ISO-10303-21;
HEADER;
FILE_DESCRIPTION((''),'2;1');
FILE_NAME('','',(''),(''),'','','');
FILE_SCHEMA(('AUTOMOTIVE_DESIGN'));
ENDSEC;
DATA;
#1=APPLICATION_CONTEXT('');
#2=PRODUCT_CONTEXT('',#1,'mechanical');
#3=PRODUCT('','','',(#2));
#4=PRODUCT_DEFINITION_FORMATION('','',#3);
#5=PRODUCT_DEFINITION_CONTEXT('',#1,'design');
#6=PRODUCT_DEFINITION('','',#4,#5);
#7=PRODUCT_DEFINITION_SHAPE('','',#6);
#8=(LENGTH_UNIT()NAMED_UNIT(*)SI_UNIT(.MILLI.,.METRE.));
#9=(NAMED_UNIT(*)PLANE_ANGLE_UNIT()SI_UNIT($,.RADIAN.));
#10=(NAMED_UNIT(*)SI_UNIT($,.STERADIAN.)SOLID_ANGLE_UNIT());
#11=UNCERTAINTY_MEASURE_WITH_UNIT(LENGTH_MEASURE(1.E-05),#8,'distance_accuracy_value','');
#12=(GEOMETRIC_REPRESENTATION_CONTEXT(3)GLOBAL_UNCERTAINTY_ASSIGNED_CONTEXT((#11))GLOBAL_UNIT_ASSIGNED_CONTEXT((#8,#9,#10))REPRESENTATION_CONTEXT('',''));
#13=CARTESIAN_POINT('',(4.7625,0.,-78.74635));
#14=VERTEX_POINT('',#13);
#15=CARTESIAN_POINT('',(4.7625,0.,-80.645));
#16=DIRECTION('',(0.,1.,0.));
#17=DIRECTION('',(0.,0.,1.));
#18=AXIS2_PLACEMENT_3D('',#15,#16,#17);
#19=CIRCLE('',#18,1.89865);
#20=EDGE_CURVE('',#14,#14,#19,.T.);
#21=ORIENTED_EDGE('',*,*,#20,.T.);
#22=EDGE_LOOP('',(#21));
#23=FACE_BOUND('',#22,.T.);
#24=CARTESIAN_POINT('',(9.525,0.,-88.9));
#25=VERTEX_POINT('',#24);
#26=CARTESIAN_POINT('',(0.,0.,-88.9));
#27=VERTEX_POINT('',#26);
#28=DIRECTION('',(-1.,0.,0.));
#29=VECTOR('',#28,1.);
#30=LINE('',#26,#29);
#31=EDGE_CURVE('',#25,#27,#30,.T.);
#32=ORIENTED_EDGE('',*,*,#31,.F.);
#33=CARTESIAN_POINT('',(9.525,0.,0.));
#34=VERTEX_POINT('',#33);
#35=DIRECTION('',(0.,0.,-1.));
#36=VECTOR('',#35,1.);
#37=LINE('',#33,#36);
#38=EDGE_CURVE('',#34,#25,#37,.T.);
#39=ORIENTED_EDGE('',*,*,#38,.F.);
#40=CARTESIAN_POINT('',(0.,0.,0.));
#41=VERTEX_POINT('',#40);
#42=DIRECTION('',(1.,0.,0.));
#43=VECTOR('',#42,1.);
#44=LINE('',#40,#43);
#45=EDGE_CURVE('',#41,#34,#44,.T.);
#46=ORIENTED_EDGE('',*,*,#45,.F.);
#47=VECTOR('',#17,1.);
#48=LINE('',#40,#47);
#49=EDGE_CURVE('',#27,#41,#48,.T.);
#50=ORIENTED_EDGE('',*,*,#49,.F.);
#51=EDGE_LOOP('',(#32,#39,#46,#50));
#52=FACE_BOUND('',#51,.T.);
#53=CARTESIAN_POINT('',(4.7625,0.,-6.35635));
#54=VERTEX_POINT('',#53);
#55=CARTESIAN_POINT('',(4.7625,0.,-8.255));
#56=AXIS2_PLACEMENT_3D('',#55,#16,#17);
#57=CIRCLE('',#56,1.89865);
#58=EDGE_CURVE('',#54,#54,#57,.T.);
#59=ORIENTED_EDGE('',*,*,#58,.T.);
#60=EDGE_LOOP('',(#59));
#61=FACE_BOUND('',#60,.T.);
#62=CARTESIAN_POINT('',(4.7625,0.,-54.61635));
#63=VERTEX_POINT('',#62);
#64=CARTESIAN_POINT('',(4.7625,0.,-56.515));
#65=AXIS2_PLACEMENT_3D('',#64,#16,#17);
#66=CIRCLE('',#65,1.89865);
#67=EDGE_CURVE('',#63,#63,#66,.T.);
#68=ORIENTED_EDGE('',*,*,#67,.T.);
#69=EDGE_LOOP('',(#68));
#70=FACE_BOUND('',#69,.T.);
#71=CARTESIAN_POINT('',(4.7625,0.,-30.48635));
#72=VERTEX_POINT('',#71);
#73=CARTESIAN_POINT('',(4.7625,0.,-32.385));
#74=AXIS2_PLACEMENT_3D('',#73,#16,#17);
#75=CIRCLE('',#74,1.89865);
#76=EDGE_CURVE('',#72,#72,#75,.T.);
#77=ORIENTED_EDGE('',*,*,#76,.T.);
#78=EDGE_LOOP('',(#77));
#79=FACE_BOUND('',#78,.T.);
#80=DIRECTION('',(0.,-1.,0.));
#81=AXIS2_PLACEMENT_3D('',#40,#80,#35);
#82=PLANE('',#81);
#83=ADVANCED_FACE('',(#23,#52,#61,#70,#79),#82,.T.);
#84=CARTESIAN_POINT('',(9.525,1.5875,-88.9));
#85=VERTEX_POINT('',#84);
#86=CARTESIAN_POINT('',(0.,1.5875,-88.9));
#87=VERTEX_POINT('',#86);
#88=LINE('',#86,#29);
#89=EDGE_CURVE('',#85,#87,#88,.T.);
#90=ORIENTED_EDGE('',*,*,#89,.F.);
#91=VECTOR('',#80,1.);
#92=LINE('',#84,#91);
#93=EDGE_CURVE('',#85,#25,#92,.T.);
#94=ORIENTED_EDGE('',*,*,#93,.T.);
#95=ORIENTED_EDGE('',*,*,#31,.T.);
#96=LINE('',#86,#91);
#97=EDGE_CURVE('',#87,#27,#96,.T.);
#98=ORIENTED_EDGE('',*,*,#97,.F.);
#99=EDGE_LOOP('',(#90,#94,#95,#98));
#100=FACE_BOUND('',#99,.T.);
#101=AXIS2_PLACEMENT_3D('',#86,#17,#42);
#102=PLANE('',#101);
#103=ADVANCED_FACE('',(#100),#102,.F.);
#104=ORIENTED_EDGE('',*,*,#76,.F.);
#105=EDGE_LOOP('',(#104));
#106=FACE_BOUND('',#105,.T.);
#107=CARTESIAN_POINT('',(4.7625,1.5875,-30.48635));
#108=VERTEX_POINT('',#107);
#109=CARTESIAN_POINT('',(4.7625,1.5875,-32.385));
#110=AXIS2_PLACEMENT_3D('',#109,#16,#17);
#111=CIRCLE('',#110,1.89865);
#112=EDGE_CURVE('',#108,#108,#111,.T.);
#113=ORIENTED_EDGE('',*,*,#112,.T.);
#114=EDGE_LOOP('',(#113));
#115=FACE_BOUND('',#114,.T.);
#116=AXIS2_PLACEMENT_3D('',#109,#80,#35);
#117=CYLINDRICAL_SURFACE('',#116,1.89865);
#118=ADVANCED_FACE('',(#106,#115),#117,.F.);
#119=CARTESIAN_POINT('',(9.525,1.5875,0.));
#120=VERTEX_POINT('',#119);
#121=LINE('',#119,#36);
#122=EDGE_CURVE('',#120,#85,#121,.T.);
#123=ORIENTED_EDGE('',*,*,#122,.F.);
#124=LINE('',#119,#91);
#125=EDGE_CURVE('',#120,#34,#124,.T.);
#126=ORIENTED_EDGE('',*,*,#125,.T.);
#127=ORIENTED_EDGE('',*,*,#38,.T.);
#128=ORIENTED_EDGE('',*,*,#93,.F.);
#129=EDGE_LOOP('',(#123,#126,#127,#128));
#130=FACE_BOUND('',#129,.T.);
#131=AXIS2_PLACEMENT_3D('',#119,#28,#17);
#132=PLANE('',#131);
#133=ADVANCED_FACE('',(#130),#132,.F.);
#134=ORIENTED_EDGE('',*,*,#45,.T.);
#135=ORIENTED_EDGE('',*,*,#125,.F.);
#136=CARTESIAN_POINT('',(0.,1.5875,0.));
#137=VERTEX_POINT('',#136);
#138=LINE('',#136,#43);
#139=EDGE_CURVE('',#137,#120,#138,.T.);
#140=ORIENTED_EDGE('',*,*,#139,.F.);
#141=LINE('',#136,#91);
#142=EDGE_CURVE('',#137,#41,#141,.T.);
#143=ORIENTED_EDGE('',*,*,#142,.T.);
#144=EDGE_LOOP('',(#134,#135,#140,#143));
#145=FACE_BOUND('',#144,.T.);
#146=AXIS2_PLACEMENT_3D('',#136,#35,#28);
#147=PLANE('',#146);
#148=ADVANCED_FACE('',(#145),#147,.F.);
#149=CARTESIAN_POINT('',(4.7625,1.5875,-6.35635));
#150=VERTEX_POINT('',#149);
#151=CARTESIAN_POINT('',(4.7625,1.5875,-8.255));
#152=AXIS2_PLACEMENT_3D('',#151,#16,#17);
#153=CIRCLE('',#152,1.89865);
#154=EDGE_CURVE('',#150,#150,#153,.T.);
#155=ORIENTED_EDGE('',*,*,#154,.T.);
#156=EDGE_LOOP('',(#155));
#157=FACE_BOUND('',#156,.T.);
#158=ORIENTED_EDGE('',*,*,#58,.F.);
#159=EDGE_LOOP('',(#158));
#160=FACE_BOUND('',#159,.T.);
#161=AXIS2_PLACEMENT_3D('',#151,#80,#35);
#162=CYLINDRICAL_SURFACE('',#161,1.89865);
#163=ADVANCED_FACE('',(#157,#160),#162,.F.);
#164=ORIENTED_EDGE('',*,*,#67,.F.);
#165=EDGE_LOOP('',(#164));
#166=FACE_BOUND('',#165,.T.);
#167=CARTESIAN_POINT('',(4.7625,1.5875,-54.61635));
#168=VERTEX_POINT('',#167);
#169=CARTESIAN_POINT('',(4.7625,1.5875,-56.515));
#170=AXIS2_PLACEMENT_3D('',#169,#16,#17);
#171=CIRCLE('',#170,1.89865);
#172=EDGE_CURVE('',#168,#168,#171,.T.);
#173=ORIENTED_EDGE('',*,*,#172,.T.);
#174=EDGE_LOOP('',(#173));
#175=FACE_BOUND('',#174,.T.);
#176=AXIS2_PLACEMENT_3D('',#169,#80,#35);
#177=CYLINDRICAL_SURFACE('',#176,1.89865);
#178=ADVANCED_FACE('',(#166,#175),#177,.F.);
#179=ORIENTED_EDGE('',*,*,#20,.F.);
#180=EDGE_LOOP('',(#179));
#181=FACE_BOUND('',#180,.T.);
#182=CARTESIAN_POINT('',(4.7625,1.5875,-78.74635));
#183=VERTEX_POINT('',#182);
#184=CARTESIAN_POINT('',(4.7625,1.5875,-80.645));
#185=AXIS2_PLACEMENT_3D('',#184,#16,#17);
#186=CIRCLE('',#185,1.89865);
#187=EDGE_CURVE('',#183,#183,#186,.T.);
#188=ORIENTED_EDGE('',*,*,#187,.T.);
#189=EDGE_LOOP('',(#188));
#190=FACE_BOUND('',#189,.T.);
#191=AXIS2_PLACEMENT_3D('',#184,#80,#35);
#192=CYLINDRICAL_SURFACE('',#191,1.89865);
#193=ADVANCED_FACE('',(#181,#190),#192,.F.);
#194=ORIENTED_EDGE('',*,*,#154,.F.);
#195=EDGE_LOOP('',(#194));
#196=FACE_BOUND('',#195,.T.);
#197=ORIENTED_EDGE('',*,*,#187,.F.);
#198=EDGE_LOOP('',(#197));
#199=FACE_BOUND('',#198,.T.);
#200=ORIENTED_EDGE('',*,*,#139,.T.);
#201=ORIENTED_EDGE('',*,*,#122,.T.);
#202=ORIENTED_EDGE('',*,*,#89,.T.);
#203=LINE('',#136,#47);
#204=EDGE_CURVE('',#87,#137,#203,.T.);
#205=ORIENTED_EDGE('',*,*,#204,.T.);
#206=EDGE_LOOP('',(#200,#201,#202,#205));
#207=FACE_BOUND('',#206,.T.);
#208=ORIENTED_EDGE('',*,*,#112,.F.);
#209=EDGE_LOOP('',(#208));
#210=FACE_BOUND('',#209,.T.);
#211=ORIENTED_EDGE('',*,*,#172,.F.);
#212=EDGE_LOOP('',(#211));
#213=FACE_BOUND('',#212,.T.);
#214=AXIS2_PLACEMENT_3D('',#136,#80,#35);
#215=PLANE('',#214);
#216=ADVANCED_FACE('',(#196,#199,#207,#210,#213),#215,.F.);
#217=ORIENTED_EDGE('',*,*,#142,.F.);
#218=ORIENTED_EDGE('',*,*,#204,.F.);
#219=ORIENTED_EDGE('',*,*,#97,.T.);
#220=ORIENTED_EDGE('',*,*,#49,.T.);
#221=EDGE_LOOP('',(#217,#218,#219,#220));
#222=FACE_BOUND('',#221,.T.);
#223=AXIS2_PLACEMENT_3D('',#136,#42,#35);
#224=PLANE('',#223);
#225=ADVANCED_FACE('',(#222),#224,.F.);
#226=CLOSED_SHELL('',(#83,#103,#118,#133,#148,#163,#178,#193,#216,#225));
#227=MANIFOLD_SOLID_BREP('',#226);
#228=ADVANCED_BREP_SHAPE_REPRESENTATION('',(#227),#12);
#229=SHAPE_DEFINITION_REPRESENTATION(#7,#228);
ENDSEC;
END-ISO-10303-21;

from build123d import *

# Parameters (mm, degrees)
SKETCH1_W           = 9.525
SKETCH1_H           = 88.9
SKETCH1_R           = 1.89865
BOSS_EXTRUDE1_DEPTH = 1.5875


with BuildPart() as part:
    # Sketch1 → Boss-Extrude1 (new body)
    with BuildSketch(Plane(origin=(0, 0, 0), x_dir=(1, 0, 0), z_dir=(0, 1, 0))):
        with Locations((4.7625, 44.45)):
            Rectangle(SKETCH1_W, SKETCH1_H)
        with Locations(Location((4.7625, 8.255, 0), (0, 0, 270))):
            Circle(SKETCH1_R, mode=Mode.SUBTRACT)
        with Locations(Location((4.7625, 32.385, 0), (0, 0, 270))):
            Circle(SKETCH1_R, mode=Mode.SUBTRACT)
        with Locations(Location((4.7625, 56.515, 0), (0, 0, 270))):
            Circle(SKETCH1_R, mode=Mode.SUBTRACT)
        with Locations(Location((4.7625, 80.645, 0), (0, 0, 270))):
            Circle(SKETCH1_R, mode=Mode.SUBTRACT)
    extrude(amount=BOSS_EXTRUDE1_DEPTH)


solid = part.part
